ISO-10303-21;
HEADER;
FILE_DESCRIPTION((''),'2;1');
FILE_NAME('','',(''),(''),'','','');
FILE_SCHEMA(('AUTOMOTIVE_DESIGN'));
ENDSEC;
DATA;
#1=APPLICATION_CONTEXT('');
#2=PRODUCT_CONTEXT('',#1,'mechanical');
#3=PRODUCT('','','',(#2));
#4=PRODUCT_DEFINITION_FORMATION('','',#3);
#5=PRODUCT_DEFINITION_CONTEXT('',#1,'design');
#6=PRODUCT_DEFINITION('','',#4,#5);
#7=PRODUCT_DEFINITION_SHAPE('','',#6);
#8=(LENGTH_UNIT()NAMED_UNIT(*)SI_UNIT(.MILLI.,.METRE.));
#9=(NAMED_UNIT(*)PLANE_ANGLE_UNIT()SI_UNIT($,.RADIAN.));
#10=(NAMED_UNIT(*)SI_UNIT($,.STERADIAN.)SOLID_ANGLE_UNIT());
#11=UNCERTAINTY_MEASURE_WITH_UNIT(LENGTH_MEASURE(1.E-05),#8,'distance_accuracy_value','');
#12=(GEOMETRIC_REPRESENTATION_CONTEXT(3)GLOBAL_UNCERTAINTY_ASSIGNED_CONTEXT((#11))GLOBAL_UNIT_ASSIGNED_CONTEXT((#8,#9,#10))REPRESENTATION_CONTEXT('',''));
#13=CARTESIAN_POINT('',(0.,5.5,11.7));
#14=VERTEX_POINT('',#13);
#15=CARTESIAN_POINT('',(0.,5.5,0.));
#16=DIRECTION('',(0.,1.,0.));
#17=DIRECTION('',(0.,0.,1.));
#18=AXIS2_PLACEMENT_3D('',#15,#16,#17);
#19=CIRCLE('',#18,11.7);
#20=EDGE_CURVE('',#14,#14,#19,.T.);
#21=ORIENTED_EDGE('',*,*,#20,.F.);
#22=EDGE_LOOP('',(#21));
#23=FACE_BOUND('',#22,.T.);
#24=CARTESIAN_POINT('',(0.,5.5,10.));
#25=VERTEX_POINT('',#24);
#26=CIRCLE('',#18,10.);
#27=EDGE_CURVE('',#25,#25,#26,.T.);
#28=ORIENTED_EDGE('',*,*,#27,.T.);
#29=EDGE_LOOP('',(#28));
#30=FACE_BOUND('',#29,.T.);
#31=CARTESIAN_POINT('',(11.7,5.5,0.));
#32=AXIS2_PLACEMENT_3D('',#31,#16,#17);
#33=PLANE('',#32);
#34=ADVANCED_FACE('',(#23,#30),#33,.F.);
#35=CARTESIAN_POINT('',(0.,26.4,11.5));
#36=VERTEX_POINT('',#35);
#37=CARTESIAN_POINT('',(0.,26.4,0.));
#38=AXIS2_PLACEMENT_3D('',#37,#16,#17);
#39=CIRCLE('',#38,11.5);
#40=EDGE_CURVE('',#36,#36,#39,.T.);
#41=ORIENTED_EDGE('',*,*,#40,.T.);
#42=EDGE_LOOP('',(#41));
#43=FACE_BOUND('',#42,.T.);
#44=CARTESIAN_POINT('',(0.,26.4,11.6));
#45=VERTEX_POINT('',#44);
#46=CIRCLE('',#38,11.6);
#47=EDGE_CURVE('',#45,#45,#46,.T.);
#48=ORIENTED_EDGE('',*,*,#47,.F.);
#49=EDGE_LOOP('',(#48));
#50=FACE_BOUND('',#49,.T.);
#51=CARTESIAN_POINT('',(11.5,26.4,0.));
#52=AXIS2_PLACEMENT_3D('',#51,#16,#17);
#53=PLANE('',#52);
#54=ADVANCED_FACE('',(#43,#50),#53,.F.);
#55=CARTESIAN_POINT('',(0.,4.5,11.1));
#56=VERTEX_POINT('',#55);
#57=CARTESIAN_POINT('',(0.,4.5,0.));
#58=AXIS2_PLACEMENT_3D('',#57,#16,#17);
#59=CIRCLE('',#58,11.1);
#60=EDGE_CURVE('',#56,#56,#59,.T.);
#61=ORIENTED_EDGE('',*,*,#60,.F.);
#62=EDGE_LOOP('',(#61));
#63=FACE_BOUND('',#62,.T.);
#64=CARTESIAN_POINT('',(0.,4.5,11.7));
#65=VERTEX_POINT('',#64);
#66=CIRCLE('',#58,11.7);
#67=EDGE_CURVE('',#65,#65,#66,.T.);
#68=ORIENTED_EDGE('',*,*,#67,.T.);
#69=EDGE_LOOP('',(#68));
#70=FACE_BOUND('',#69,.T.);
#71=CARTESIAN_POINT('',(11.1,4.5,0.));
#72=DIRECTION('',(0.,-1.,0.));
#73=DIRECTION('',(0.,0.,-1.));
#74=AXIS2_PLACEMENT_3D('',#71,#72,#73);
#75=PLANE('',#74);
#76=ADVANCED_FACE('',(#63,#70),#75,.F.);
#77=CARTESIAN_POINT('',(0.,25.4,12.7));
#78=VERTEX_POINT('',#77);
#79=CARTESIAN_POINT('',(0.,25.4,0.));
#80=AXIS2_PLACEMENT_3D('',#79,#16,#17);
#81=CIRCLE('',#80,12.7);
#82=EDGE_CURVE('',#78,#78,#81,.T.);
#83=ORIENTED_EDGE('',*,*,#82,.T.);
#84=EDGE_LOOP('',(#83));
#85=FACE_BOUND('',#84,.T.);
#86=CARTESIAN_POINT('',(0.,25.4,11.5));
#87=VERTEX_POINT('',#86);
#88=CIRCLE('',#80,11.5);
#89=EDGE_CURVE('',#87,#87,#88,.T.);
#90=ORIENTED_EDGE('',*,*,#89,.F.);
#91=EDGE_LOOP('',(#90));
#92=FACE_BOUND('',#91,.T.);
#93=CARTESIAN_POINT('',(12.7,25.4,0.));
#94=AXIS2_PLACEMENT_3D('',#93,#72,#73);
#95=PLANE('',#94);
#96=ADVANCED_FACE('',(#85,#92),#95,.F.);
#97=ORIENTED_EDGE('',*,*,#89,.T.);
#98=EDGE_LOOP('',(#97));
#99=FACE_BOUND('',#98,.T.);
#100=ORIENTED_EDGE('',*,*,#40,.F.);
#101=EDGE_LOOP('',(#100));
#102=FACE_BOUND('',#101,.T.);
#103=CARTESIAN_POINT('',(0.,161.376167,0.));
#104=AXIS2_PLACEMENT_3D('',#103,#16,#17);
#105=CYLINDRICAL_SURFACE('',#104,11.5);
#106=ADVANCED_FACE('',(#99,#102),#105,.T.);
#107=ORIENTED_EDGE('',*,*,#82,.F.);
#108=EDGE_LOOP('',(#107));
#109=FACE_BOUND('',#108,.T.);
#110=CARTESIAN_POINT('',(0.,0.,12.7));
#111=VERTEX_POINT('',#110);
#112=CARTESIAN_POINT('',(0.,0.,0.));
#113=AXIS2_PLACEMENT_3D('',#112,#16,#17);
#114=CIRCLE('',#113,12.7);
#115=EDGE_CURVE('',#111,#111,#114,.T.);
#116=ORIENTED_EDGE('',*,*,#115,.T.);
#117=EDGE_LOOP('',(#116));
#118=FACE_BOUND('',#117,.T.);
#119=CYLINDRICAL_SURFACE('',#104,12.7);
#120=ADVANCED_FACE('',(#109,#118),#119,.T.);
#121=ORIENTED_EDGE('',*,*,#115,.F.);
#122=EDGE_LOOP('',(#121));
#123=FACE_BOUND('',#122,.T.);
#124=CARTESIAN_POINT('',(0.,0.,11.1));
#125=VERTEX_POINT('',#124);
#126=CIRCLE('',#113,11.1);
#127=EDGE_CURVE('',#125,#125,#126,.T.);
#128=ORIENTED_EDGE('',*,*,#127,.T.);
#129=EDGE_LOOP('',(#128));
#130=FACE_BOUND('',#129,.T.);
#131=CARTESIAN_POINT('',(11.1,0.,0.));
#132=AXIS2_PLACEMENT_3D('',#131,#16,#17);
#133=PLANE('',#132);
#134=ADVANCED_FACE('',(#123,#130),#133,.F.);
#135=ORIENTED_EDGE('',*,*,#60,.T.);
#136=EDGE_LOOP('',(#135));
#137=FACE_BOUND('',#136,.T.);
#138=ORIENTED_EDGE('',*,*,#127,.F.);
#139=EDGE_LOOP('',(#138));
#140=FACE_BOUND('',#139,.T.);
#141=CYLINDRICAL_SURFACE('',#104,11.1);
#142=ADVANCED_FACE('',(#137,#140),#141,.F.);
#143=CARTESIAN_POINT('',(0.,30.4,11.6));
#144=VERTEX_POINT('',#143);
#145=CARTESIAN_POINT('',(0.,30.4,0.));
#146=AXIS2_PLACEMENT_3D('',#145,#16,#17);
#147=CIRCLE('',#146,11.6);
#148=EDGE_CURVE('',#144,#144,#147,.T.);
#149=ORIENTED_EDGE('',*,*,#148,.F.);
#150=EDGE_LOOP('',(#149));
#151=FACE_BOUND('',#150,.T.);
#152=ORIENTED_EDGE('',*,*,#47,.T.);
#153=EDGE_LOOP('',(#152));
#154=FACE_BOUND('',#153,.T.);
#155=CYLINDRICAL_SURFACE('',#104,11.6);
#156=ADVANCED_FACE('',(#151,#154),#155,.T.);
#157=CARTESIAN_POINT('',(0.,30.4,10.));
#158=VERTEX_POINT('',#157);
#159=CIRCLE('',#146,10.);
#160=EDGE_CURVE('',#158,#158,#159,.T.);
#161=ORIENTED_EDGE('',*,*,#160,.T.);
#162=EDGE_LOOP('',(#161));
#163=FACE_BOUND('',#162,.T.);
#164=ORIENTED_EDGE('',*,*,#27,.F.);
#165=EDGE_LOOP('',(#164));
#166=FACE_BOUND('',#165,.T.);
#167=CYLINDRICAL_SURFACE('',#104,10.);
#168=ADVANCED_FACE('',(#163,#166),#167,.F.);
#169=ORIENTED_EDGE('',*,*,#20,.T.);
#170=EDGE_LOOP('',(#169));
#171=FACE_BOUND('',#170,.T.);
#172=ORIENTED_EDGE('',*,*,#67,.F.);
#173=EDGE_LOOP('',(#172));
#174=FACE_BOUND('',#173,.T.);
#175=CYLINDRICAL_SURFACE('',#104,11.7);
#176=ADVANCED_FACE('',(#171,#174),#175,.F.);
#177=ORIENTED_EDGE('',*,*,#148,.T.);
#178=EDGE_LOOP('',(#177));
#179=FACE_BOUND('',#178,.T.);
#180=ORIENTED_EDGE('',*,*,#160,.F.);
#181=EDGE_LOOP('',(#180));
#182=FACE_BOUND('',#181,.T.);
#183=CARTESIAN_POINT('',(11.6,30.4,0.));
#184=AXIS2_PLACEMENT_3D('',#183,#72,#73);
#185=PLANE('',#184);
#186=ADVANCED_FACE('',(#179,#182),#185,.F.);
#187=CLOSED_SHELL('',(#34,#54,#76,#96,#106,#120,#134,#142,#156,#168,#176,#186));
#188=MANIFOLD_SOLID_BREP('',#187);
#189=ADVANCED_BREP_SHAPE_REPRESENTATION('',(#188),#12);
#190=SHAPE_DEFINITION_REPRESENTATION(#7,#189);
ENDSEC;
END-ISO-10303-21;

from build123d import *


with BuildPart() as part:
    # 草图1 → 旋转1 (revolve)
    with BuildSketch(Plane.XY, mode=Mode.PRIVATE) as revolve_1_sk:
        Polygon((12.7, 0), (12.7, 25.4), (11.5, 25.4), (11.5, 26.4), (11.6, 26.4), (11.6, 30.4), (10, 30.4), (10, 5.5), (11.7, 5.5), (11.7, 4.5), (11.1, 4.5), (11.1, 0), align=None)
    revolve(revolve_1_sk.sketch.rotate(Axis((0, 161.376166943, 0), (0, -1, 0)), 90), axis=Axis((0, 161.376166943, 0), (0, -1, 0)))  # turned: the seam where the file's is


solid = part.part
